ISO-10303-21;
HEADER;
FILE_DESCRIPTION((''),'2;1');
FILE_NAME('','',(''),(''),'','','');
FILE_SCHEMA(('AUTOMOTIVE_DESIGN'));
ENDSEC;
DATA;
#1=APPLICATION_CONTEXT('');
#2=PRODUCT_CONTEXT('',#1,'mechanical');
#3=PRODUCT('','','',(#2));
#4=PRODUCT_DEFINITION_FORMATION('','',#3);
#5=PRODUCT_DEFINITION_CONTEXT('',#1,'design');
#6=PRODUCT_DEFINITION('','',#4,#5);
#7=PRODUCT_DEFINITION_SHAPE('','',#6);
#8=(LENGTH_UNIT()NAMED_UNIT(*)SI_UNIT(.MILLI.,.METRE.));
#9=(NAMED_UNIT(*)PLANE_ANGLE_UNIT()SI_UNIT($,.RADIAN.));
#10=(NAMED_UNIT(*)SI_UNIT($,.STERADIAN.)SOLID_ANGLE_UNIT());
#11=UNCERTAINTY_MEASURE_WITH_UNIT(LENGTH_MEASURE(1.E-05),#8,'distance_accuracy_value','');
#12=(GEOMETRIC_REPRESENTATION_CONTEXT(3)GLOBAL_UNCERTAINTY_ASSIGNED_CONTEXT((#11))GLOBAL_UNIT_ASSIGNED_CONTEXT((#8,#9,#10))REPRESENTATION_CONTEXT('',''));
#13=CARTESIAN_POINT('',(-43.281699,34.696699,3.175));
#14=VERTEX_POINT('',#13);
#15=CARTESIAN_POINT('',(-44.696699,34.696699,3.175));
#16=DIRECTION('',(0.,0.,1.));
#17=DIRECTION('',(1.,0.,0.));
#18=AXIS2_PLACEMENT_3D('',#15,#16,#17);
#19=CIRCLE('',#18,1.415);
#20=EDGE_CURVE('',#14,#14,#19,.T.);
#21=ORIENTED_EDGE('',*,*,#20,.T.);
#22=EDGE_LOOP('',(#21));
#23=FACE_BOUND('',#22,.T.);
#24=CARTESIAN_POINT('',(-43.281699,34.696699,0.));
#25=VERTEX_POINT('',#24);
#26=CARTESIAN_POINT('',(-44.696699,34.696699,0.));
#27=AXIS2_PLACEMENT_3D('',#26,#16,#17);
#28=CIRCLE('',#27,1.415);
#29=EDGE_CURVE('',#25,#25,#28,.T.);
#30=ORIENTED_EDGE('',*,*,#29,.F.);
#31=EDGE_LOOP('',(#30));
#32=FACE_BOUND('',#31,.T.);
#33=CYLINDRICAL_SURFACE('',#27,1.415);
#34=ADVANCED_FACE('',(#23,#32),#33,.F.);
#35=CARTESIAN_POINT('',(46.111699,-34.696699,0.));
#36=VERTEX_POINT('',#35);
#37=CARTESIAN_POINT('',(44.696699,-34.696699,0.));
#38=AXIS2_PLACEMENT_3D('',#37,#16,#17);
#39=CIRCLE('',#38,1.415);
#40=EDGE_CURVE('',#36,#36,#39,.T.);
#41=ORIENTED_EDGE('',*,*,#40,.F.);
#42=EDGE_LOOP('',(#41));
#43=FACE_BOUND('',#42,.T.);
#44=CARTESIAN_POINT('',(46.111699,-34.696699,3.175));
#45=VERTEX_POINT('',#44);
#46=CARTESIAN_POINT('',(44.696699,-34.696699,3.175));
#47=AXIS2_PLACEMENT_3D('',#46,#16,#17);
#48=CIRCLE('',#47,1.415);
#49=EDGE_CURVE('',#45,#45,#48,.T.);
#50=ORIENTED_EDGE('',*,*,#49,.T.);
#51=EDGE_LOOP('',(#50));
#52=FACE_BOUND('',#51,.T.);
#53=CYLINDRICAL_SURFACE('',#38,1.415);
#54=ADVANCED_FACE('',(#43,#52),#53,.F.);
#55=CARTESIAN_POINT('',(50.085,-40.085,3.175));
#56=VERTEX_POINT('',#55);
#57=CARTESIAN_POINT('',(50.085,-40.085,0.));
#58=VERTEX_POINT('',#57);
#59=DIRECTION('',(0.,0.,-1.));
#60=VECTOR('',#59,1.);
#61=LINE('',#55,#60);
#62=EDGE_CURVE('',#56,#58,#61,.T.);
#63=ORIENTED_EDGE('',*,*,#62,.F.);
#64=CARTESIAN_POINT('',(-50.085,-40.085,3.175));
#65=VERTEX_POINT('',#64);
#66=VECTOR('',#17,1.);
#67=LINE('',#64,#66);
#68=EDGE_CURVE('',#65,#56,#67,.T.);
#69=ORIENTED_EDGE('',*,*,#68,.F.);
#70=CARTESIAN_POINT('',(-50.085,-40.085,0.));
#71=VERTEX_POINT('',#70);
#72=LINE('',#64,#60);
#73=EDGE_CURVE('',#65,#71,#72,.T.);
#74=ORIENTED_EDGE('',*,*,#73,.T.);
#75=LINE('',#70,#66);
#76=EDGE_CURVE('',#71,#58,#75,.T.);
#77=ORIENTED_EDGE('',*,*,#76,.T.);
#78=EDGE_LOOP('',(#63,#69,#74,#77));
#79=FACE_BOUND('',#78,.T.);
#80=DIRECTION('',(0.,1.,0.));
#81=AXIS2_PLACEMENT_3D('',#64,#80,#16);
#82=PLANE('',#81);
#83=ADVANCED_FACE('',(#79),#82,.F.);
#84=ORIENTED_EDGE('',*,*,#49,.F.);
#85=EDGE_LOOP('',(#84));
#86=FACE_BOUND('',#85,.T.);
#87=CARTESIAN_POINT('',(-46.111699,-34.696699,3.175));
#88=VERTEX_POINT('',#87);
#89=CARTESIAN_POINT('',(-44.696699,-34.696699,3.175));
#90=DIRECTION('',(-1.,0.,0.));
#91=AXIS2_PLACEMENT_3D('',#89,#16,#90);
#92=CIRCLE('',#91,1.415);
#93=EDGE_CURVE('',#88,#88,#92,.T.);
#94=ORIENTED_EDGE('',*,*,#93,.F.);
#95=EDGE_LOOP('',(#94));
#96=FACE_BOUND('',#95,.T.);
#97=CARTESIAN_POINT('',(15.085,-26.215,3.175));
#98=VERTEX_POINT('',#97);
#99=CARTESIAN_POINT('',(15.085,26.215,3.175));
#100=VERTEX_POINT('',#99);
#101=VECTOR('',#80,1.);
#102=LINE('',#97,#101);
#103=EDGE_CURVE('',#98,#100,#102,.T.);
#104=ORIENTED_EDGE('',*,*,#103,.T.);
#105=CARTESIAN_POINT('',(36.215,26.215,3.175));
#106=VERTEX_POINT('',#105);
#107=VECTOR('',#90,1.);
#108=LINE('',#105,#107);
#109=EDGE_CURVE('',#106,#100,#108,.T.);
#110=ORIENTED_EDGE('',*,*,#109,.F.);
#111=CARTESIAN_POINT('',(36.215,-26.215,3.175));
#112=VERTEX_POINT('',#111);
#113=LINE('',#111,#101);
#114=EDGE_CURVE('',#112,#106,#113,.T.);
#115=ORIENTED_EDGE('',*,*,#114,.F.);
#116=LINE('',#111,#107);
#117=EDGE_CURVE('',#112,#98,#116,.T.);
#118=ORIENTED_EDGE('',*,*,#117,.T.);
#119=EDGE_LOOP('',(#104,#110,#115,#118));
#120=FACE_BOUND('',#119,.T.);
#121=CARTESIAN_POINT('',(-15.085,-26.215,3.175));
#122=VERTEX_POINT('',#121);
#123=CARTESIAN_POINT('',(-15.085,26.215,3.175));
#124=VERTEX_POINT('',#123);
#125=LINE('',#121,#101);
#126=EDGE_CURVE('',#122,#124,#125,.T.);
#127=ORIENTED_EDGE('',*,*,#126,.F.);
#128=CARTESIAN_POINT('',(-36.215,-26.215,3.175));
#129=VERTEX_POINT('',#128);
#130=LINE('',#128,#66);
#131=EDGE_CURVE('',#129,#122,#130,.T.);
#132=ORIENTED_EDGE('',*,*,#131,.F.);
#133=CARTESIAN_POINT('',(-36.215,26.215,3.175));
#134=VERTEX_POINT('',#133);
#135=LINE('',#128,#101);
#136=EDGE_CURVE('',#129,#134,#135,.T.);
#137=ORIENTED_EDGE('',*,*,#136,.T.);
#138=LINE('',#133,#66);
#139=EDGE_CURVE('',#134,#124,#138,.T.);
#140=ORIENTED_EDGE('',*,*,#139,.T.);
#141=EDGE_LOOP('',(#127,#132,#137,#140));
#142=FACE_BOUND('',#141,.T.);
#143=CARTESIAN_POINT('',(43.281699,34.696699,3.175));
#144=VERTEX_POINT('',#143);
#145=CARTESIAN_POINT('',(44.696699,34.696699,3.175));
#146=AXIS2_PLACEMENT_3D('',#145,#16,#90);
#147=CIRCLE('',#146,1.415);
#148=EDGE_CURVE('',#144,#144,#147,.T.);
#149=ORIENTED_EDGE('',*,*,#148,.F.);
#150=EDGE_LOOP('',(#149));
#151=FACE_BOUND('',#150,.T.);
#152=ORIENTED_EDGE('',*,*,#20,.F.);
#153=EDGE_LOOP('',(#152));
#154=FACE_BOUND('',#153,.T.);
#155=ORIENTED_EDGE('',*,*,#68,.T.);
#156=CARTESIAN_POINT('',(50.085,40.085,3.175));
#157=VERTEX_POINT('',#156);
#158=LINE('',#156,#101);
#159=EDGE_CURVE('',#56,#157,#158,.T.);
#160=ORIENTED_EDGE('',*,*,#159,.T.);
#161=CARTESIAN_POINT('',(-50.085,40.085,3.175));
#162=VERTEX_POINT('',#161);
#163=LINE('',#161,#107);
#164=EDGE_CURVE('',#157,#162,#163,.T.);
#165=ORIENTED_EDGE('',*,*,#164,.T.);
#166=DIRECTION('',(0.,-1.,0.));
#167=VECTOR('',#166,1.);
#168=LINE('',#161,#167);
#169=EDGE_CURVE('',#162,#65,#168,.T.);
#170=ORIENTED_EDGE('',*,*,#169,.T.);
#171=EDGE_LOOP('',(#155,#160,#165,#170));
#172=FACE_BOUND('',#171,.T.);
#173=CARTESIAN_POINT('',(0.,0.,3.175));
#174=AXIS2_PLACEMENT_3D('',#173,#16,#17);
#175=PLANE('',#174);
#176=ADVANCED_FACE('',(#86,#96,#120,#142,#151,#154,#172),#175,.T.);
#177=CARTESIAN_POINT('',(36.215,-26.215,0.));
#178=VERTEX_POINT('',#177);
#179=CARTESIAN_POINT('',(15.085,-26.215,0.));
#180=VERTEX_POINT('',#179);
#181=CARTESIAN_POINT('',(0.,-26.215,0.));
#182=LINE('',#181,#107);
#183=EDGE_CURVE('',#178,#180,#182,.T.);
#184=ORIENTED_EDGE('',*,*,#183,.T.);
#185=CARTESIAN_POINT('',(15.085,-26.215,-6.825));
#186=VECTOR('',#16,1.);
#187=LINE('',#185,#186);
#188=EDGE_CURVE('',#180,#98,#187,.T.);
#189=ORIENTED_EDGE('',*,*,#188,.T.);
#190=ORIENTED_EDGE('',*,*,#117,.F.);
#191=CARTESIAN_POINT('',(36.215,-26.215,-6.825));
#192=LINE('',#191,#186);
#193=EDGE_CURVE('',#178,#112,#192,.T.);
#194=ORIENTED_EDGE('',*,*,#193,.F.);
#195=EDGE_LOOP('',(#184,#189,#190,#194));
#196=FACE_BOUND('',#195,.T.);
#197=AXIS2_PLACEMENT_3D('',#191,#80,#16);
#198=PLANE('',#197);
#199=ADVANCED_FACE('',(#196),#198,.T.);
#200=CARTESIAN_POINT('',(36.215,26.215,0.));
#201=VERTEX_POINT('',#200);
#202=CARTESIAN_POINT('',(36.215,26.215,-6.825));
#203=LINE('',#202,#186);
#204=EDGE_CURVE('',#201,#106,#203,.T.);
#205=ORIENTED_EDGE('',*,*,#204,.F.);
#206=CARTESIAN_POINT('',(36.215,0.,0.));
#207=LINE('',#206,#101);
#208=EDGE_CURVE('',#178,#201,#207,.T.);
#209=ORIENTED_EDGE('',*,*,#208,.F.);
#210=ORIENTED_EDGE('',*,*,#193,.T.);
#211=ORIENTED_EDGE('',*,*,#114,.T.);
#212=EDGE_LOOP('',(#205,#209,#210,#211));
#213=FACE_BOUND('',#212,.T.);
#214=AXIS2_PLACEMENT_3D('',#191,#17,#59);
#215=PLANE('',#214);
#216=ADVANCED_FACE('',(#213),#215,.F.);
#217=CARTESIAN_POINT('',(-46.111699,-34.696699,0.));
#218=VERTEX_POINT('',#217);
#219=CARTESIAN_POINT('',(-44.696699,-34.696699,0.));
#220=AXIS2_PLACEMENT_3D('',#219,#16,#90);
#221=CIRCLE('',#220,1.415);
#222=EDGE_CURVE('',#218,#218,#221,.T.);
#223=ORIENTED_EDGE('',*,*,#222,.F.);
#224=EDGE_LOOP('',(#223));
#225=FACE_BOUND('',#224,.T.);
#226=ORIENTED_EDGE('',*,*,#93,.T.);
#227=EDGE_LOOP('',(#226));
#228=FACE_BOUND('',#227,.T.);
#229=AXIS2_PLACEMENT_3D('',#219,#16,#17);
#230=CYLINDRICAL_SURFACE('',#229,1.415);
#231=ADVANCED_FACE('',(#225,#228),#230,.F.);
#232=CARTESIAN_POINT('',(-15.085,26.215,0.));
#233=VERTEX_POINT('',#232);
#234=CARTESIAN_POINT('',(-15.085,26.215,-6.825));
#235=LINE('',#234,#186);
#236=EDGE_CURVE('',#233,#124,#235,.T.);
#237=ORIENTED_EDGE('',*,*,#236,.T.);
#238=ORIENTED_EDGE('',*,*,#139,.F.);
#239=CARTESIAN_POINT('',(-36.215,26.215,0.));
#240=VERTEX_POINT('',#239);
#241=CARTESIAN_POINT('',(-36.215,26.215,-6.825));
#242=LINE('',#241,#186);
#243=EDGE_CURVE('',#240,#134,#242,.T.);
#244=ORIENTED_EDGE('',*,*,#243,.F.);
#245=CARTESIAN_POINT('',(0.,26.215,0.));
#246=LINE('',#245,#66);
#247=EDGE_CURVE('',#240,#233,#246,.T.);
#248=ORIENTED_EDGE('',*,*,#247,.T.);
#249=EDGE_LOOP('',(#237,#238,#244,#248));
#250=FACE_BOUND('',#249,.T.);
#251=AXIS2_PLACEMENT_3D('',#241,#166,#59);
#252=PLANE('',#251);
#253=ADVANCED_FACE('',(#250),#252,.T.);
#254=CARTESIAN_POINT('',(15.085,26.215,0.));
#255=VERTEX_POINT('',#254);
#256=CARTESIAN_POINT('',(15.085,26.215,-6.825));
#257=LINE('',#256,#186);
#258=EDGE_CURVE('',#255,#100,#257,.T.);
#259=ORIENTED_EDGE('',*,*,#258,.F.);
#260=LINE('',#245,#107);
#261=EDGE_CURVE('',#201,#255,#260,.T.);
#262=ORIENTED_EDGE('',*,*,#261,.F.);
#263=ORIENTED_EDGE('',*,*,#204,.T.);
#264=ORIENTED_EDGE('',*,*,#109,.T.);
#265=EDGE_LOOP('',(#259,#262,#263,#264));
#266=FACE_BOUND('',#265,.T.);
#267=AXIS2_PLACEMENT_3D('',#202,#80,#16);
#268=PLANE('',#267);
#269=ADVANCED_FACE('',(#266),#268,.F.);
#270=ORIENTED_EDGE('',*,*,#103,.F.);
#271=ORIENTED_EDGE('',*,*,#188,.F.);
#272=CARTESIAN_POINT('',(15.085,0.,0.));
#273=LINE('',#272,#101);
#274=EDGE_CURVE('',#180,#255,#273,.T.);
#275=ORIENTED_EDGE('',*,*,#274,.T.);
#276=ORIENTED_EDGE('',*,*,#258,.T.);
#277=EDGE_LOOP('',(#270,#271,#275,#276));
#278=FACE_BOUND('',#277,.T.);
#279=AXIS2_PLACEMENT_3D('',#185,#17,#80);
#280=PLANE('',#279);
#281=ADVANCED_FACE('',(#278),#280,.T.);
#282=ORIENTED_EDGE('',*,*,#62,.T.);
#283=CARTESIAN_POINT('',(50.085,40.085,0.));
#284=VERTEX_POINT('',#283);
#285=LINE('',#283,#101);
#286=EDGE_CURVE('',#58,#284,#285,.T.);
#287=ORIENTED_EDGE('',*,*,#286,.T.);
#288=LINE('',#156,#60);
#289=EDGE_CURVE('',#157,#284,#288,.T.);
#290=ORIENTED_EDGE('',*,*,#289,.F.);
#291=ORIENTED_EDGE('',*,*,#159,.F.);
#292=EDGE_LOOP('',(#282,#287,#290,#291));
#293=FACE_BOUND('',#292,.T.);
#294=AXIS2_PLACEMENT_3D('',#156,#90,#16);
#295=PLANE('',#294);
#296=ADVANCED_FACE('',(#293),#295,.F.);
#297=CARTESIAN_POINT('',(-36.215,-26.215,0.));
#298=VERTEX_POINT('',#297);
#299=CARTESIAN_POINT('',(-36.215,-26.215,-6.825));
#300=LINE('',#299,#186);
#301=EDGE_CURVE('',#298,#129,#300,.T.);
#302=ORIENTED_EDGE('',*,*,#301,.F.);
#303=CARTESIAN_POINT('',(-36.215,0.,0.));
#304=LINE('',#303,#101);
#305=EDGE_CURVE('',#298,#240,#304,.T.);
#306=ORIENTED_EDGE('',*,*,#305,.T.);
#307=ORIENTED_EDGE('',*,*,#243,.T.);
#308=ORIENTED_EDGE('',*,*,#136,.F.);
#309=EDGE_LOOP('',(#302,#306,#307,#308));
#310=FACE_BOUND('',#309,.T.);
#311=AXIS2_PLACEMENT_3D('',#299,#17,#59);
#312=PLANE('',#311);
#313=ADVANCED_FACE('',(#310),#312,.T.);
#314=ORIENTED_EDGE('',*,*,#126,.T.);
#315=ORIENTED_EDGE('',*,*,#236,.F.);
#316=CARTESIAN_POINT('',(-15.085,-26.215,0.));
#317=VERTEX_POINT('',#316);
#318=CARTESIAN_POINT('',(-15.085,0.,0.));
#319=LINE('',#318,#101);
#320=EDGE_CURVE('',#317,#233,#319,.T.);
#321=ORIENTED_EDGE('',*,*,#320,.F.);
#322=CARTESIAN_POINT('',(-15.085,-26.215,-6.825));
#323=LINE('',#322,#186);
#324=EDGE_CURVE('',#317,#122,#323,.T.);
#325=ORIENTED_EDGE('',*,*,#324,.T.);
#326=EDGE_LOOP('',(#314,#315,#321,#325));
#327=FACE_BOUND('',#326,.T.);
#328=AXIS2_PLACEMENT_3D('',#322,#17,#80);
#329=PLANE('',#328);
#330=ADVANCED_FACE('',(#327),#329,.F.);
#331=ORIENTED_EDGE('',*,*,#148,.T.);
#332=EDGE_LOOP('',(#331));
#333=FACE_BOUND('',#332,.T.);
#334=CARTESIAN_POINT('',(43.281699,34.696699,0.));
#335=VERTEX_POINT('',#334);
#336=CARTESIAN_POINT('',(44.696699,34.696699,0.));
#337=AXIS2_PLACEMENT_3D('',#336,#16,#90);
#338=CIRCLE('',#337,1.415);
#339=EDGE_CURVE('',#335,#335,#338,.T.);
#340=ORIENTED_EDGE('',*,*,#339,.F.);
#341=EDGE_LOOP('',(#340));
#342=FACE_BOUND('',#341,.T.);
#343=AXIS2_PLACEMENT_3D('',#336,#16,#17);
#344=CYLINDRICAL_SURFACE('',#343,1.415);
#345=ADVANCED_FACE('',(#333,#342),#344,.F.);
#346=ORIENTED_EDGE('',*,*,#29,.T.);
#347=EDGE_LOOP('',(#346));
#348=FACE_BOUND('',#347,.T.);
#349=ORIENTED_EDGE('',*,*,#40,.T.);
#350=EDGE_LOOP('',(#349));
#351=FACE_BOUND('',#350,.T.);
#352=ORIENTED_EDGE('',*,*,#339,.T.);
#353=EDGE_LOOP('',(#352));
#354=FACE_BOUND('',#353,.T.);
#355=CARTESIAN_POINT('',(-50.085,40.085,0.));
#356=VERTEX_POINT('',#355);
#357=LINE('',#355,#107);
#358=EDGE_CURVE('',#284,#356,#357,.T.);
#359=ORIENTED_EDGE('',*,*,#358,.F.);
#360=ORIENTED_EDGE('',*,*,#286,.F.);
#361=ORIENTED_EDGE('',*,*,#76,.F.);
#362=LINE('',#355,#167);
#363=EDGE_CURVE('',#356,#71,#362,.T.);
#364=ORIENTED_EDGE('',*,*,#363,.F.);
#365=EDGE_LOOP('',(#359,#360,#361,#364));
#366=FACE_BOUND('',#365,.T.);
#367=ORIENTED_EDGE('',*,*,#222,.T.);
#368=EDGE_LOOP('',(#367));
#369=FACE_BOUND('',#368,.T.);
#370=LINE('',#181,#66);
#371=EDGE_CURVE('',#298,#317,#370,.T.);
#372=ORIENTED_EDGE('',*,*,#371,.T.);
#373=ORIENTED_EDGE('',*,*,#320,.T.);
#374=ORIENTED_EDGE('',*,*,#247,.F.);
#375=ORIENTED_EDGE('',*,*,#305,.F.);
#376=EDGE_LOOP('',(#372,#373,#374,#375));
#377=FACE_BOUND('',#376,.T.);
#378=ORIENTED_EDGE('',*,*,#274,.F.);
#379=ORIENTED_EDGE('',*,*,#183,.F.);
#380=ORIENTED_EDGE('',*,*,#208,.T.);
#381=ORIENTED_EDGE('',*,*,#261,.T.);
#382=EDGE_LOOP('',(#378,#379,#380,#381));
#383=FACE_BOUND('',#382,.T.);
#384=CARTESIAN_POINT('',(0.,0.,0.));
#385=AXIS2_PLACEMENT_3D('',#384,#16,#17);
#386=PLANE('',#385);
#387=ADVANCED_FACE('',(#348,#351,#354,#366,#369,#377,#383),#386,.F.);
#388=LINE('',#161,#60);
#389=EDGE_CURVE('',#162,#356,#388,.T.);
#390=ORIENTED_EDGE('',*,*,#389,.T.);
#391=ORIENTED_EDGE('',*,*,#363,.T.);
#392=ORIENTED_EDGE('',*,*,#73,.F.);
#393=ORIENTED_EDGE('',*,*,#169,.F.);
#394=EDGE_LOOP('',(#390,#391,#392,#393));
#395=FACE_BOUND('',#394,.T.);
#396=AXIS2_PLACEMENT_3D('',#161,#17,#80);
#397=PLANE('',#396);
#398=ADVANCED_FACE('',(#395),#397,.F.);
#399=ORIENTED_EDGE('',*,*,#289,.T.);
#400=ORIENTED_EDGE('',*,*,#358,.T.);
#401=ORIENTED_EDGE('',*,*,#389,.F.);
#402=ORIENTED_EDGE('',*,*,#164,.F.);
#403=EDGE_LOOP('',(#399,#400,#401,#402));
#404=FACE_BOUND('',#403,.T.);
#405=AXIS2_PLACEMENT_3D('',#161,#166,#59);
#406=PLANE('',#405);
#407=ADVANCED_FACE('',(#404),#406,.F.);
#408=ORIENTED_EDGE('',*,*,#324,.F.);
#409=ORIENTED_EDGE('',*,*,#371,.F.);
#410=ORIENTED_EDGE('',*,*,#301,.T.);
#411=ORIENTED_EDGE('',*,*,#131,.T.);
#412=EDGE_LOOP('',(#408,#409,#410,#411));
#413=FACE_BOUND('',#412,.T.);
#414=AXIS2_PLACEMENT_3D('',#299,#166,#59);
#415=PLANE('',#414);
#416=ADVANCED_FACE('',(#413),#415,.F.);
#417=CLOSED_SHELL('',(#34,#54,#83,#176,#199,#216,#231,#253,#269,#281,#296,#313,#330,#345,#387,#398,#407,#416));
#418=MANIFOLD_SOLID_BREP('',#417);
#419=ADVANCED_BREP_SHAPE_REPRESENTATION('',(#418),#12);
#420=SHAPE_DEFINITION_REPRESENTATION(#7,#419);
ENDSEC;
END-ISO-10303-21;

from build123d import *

# Parameters (mm, degrees)
SKETCH1_W           = 100.17
SKETCH1_H           = 80.17
BOSS_EXTRUDE1_DEPTH = 3.175
SKETCH3_R           = 1.415
CUT_EXTRUDE2_DEPTH  = 4.175
SKETCH2_W           = 21.13
SKETCH2_H           = 52.43
CUT_EXTRUDE4_DEPTH  = 10


with BuildPart() as part:
    # Sketch1 → Boss-Extrude1 (new body)
    with BuildSketch(Plane.XY):
        Rectangle(SKETCH1_W, SKETCH1_H)
    extrude(amount=BOSS_EXTRUDE1_DEPTH)

    # Sketch3 → Cut-Extrude2 (cut, through all)
    with BuildSketch(Plane.XY.offset(3.175)):
        with Locations((-44.696699141, 34.696699141)):
            Circle(SKETCH3_R)
        with Locations((44.696699141, 34.696699141)):
            Circle(SKETCH3_R)
        with Locations((44.696699141, -34.696699141)):
            Circle(SKETCH3_R)
        with Locations((-44.696699141, -34.696699141)):
            Circle(SKETCH3_R)
    extrude(amount=-CUT_EXTRUDE2_DEPTH, mode=Mode.SUBTRACT)

    # Sketch2 → Cut-Extrude4 (cut)
    with BuildSketch(Plane.XY.offset(3.175)):
        with Locations((25.65, 0)):
            Rectangle(SKETCH2_W, SKETCH2_H)
        with Locations((-25.65, 0)):
            Rectangle(SKETCH2_W, SKETCH2_H)
    extrude(amount=-CUT_EXTRUDE4_DEPTH, mode=Mode.SUBTRACT)


solid = part.part
